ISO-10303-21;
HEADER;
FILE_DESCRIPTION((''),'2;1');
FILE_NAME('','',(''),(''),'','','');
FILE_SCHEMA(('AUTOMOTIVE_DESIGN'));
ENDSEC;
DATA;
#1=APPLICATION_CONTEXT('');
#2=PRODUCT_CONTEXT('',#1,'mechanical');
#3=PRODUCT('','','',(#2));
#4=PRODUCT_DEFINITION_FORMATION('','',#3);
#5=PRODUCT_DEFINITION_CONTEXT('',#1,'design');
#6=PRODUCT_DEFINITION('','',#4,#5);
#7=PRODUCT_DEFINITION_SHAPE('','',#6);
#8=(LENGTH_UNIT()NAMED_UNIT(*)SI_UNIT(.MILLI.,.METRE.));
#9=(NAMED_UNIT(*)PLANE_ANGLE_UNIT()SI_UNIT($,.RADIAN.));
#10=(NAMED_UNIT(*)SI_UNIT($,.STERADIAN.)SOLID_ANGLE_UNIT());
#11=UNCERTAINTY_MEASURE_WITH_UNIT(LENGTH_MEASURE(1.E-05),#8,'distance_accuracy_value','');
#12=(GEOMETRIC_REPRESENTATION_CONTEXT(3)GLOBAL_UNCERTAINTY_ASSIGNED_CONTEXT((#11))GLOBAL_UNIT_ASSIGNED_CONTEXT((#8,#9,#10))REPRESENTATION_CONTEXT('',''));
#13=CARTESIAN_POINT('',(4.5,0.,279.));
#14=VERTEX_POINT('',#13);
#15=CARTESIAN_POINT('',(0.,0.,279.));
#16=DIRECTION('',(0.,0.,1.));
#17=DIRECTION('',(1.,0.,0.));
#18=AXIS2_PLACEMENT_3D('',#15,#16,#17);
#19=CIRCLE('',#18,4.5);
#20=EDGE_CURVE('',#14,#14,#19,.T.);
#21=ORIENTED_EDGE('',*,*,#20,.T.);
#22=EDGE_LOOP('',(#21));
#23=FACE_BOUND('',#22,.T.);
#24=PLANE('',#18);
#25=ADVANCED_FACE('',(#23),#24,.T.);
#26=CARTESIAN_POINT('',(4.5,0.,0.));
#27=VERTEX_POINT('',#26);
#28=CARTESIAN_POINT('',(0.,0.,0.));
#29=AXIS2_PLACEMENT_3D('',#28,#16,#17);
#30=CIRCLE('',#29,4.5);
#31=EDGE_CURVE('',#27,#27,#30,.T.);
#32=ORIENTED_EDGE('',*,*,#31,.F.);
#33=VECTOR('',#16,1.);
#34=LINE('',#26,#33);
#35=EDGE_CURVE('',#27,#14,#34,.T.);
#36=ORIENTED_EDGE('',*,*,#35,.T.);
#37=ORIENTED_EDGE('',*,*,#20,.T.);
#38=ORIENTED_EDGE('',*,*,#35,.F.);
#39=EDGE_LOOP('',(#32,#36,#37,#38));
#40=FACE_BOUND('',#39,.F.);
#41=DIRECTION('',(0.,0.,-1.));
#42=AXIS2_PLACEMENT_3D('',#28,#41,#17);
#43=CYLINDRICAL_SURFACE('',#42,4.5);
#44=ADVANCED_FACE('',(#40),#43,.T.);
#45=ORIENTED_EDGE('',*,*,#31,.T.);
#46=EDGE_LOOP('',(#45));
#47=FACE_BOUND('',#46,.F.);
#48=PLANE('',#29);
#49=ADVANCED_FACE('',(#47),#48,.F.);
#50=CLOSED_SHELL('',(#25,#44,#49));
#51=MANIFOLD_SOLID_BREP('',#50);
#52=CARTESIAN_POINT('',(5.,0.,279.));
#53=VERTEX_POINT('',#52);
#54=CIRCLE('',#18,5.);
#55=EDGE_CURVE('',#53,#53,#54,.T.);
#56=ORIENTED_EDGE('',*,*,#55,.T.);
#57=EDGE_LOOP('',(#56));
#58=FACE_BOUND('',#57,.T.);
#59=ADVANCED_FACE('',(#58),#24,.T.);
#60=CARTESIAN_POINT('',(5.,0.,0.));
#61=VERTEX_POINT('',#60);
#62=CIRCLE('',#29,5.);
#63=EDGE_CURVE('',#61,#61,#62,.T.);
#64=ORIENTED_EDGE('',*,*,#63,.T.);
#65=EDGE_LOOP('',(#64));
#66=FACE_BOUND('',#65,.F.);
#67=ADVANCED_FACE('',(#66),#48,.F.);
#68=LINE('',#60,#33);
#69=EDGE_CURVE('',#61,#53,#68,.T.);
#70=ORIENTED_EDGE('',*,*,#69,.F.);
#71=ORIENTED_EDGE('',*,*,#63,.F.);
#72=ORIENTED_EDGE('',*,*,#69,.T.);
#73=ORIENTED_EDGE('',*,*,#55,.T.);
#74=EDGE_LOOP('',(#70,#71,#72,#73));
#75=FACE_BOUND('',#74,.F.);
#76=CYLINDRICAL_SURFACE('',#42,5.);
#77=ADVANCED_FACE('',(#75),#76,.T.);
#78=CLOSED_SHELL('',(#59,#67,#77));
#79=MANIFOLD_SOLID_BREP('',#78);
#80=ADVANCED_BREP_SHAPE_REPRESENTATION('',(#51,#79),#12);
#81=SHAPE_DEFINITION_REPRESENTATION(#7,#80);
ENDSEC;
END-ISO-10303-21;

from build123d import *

# Parameters (mm, degrees)
F1_R     = 4.5
F2_DEPTH = 279
F0_R     = 5


with BuildPart() as f2:
    # F1 (on Top) → F2 (new body)
    with BuildSketch(Plane.XY):
        Circle(F1_R)
    extrude(amount=F2_DEPTH)


with BuildPart() as f2b:
    # F0 (on Top) → F2, piece 2 (new body)
    with BuildSketch(Plane.XY):
        Circle(F0_R)
    extrude(amount=F2_DEPTH)


solid = Compound([f2.part, f2b.part])
